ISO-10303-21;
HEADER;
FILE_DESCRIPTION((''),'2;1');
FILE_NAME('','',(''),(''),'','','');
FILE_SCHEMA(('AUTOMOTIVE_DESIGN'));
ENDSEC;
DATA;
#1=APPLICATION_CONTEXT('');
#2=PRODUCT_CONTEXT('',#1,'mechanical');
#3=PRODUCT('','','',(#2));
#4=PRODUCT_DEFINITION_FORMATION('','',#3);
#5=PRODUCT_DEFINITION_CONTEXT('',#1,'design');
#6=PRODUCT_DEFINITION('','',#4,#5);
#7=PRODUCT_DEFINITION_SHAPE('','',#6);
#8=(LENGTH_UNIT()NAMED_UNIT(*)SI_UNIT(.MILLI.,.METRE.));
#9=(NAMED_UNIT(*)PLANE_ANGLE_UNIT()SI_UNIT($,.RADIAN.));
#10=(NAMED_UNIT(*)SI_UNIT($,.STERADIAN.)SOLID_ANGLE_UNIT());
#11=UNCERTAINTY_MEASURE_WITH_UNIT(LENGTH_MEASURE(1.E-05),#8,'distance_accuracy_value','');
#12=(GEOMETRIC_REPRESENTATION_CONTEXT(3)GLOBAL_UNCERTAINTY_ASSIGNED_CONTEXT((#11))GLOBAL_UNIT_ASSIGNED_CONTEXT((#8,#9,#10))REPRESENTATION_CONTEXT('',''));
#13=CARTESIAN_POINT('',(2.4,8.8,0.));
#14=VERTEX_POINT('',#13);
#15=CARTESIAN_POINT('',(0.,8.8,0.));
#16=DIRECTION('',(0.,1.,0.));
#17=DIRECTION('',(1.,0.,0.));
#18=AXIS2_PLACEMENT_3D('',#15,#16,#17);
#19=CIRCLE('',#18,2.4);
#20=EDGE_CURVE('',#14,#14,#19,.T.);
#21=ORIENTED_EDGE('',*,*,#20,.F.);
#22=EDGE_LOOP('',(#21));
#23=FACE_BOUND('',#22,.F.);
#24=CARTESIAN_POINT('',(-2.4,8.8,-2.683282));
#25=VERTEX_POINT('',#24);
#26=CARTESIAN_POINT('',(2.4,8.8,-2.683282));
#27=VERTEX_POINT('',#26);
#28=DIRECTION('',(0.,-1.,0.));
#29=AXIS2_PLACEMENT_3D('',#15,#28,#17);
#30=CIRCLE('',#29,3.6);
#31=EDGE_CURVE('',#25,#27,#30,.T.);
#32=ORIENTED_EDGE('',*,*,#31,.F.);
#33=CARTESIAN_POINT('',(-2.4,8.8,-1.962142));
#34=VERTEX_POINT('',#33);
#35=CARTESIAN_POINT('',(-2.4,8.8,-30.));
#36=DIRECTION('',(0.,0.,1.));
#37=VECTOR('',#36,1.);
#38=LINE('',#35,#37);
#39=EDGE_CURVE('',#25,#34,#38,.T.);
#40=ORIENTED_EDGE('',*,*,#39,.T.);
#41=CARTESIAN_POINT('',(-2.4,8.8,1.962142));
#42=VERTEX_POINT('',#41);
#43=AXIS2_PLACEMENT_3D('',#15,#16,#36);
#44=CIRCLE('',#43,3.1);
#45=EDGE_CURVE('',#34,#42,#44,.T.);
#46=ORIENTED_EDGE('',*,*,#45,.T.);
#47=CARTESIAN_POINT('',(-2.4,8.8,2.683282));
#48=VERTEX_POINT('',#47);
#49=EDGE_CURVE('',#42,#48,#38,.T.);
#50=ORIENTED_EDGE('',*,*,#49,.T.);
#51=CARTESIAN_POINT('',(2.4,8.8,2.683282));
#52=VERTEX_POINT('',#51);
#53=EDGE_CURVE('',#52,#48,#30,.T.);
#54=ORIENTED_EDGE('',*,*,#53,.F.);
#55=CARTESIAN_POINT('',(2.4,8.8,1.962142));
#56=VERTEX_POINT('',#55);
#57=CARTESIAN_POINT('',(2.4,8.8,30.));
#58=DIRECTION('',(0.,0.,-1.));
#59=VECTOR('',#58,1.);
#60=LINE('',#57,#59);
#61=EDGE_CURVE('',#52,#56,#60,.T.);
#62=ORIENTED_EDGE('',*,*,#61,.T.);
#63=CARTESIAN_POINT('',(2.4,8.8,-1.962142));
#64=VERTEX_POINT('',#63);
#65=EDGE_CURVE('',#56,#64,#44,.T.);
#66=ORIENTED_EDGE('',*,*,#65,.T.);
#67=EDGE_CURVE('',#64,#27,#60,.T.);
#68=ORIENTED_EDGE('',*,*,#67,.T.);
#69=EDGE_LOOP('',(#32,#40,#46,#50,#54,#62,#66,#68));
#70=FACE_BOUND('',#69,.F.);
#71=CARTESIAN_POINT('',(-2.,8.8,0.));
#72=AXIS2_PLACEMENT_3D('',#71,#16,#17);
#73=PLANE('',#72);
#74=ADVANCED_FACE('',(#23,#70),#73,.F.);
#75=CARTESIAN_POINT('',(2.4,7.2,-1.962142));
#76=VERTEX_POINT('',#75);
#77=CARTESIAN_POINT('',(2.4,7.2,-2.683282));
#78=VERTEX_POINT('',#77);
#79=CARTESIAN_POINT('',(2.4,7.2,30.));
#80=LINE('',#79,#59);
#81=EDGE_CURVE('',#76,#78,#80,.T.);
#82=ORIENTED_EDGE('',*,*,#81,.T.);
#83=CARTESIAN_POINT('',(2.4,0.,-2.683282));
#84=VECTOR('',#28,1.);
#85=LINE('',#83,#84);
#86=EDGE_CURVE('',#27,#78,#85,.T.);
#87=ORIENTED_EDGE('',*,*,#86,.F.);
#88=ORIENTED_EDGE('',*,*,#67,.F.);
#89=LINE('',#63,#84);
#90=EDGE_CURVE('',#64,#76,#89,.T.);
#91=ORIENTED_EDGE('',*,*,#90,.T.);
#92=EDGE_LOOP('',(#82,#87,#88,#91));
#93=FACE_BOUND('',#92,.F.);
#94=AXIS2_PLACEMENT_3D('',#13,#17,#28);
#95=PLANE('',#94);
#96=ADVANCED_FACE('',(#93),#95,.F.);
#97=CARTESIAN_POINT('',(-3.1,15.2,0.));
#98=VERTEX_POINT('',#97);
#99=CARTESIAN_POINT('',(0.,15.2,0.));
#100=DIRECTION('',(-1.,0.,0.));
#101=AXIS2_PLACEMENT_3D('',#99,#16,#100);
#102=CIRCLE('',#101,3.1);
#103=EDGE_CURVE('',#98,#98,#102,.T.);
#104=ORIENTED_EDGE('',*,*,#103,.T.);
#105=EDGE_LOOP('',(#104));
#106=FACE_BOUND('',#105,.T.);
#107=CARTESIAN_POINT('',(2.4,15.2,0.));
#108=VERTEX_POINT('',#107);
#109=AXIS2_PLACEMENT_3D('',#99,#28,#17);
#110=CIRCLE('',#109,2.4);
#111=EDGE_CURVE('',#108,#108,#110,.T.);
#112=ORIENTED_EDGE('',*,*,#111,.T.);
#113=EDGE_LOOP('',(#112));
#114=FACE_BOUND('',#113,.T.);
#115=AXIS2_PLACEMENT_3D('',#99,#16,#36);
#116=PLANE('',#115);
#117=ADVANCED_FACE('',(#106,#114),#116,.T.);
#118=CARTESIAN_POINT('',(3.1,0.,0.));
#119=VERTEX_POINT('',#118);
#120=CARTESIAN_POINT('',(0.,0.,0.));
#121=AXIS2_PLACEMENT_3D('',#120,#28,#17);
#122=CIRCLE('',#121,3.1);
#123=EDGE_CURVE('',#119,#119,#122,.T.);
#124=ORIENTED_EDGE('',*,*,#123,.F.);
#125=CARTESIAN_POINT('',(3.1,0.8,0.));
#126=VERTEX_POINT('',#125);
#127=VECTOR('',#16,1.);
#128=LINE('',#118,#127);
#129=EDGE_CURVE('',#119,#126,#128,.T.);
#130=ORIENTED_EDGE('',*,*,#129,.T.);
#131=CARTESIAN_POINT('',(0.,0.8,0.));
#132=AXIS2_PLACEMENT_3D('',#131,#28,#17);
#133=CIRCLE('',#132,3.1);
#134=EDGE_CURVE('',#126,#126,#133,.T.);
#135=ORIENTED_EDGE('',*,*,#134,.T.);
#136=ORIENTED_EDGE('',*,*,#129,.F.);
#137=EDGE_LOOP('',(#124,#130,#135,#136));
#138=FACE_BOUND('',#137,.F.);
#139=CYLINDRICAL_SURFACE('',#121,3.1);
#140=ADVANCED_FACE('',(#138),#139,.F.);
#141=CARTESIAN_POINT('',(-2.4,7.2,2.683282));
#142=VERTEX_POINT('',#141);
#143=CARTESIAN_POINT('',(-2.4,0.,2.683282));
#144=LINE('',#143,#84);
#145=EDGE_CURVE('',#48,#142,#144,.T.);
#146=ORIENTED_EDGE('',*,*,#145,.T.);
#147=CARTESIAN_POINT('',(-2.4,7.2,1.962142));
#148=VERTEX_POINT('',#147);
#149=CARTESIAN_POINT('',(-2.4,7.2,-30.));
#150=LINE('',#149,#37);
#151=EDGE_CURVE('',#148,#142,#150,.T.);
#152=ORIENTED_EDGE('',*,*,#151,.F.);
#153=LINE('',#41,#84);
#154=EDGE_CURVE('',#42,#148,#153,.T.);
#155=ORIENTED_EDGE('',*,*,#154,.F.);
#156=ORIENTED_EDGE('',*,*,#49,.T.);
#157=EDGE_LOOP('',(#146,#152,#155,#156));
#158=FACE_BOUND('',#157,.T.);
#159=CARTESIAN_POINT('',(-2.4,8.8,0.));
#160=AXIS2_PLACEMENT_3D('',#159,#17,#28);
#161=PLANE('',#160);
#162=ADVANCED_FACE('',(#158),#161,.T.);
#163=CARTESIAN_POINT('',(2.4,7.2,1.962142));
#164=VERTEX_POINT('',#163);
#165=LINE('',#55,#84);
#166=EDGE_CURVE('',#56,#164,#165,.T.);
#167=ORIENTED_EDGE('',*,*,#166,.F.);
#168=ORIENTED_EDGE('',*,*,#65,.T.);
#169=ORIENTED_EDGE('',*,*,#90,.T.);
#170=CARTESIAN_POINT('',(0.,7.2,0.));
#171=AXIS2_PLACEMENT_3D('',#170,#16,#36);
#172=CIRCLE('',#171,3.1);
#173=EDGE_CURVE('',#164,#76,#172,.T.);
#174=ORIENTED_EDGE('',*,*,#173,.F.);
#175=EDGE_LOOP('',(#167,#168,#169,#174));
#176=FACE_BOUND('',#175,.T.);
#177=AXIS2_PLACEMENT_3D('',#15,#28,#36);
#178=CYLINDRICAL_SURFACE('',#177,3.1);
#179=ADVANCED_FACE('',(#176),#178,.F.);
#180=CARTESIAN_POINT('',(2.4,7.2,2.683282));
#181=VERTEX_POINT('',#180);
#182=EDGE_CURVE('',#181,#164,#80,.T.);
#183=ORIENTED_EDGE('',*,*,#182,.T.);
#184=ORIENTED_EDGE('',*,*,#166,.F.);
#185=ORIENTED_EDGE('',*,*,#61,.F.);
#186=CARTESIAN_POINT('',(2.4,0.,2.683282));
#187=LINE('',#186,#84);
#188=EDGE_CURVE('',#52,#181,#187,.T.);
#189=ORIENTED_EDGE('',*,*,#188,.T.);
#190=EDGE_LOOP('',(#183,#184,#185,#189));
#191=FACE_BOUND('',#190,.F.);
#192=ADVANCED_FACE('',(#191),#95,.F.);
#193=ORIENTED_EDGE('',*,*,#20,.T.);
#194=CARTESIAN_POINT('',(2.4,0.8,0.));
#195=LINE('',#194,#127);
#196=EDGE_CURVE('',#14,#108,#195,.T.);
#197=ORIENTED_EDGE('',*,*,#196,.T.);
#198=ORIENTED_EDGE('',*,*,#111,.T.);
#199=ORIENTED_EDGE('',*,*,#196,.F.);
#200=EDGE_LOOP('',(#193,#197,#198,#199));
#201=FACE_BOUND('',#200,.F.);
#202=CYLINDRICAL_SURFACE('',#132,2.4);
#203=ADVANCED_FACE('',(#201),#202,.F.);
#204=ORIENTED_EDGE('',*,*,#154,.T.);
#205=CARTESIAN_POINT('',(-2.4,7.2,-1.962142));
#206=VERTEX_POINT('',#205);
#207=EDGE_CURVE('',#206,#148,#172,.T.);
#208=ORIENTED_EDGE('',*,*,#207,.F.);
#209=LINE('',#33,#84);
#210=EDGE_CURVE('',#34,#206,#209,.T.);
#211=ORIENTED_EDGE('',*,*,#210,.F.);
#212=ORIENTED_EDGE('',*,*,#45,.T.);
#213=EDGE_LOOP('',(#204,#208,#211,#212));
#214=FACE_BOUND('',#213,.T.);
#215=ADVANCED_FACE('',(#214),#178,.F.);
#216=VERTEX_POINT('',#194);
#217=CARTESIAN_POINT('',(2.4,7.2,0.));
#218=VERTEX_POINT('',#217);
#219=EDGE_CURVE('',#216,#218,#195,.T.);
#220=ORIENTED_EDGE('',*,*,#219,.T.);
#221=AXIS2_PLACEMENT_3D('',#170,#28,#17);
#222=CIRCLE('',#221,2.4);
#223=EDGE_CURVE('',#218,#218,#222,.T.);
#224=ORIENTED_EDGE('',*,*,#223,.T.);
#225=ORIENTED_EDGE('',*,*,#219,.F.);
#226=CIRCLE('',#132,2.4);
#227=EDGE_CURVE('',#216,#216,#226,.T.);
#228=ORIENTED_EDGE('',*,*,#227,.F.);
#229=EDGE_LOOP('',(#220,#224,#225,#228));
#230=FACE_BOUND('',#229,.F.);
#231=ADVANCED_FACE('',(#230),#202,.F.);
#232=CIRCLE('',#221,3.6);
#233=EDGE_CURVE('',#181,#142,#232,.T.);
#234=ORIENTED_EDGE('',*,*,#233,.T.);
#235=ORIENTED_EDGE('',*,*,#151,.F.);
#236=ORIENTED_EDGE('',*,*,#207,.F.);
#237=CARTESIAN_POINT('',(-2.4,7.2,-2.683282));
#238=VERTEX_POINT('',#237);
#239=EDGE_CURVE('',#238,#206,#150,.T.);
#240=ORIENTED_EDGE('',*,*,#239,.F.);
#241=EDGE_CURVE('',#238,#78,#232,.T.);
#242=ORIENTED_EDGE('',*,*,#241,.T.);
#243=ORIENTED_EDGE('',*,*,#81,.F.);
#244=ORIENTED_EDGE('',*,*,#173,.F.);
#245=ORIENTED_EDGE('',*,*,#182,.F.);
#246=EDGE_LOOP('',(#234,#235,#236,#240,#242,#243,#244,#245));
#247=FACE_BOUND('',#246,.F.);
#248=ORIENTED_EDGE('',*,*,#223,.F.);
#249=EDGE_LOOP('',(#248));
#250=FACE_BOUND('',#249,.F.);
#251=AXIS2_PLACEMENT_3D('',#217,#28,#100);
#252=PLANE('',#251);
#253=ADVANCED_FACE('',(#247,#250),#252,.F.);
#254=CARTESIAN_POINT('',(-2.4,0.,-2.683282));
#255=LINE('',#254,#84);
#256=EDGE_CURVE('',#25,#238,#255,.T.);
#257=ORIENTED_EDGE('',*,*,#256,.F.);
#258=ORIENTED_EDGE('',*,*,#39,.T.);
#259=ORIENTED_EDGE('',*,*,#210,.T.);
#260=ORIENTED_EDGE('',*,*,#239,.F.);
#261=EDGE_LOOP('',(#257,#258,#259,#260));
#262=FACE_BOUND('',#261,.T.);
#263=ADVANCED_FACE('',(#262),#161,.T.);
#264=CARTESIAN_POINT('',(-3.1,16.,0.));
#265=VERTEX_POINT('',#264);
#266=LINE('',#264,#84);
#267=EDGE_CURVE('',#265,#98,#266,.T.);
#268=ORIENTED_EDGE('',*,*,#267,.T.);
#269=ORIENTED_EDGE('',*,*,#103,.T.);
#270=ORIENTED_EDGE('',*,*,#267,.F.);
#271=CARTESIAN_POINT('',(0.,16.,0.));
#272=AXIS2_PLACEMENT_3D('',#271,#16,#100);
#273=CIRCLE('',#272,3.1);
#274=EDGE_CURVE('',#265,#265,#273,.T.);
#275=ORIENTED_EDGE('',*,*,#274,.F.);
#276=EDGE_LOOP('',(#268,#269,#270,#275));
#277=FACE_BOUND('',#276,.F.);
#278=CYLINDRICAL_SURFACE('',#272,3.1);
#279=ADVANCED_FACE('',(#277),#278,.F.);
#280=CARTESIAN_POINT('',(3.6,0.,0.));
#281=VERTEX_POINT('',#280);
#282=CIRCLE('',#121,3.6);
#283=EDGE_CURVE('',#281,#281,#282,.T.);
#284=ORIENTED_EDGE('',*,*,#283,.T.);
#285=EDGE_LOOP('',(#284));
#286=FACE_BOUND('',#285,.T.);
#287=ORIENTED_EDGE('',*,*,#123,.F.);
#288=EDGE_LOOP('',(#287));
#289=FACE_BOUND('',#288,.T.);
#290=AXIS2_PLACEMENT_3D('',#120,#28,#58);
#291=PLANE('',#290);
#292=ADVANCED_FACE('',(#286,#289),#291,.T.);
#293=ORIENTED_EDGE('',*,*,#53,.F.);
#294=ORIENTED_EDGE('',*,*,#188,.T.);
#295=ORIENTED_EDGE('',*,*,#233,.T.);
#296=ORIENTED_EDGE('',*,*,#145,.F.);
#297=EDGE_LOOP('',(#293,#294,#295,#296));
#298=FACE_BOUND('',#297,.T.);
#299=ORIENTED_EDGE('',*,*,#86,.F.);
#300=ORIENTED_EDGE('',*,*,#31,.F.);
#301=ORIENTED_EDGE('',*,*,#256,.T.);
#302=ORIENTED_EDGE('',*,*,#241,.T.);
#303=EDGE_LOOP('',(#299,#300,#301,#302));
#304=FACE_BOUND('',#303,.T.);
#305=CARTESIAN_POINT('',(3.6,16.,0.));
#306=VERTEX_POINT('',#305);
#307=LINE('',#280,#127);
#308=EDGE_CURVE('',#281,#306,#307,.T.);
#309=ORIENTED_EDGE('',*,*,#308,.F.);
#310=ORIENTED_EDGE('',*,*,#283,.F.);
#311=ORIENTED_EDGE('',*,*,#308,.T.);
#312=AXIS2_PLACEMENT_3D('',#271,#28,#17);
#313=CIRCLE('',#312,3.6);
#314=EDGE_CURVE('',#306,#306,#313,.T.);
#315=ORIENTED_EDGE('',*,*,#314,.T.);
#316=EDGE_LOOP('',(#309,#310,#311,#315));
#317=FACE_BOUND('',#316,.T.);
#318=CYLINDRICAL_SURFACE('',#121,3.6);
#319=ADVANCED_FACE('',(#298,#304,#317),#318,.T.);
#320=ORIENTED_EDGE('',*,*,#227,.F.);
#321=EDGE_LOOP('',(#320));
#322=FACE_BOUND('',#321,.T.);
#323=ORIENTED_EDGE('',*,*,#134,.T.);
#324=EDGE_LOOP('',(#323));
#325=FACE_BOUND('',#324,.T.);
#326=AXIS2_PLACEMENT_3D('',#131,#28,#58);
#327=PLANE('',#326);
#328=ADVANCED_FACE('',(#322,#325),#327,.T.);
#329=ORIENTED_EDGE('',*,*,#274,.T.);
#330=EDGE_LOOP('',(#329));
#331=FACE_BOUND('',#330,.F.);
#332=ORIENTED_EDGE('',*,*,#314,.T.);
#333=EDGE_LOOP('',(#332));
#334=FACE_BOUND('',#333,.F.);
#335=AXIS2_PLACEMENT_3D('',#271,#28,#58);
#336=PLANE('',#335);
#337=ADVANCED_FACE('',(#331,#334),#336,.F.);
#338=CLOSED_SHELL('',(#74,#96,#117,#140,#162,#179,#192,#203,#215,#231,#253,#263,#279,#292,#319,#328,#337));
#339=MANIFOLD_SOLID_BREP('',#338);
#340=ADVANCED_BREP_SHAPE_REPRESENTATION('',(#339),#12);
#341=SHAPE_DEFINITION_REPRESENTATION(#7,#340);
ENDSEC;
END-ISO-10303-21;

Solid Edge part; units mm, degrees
sketch "Sketch1" plane through (0, 0, 0) normal (0, -1, 0) x (1, 0, 0)
  circle A0 centre (0, 0) radius 3.6
extrude "Protrusion1" add sketch "Sketch1" against normal blind 16
sketch "Sketch2" plane through (0, 0, 0) normal (0, -1, 0) x (1, 0, 0)
  circle A0 centre (0, 0) radius 3.1
extrude "ExtrudedCutout_1" cut sketch "Sketch2" against normal blind 0.8
sketch "Sketch3" plane through (0, 16, 0) normal (0, 1, 0) x (-1, 0, 0)
  circle A0 centre (0, 0) radius 3.1
extrude "ExtrudedCutout_2" cut sketch "Sketch3" against normal blind 0.8
sketch "Sketch4" plane through (0, 0.8, 0) normal (0, -1, 0) x (1, 0, 0)
  circle A0 centre (0, 0) radius 2.4
extrude "ExtrudedCutout_3" cut sketch "Sketch4" against normal blind 20
sketch "Sketch5" plane through (0, 0, 0) normal (0, 0, 1) x (1, 0, 0)
  line L0 (-2, 8.8) -> (2, 8.8)
  line L1 (2, 8.8) -> (2.4, 8.8)
  line L2 (2.4, 8.8) -> (2.4, 7.2)
  line L3 (2.4, 7.2) -> (2, 7.2)
  line L4 (2, 7.2) -> (-2, 7.2)
  line L5 (-2.4, 7.2) -> (-2, 7.2)
  line L6 (-2.4, 8.8) -> (-2.4, 7.2)
  line L7 (-2, 8.8) -> (-2.4, 8.8)
extrude "ExtrudedCutout_5" cut sketch "Sketch5" along normal mid plane 60
sketch "Sketch6" plane through (0, 0, 0) normal (1, 0, 0) x (0, 1, 0)
  line L0 (8.8, 3.1) -> (8.8, 0)
  line L1 (7.2, 3.1) -> (7.2, 0)
  line L2 (8.8, 3.1) -> (7.2, 3.1)
revolve "RevolvedCutout1" cut sketch "Sketch6" angle 360 about axis through (0, 7.2, 0) along (0, 1, 0)
